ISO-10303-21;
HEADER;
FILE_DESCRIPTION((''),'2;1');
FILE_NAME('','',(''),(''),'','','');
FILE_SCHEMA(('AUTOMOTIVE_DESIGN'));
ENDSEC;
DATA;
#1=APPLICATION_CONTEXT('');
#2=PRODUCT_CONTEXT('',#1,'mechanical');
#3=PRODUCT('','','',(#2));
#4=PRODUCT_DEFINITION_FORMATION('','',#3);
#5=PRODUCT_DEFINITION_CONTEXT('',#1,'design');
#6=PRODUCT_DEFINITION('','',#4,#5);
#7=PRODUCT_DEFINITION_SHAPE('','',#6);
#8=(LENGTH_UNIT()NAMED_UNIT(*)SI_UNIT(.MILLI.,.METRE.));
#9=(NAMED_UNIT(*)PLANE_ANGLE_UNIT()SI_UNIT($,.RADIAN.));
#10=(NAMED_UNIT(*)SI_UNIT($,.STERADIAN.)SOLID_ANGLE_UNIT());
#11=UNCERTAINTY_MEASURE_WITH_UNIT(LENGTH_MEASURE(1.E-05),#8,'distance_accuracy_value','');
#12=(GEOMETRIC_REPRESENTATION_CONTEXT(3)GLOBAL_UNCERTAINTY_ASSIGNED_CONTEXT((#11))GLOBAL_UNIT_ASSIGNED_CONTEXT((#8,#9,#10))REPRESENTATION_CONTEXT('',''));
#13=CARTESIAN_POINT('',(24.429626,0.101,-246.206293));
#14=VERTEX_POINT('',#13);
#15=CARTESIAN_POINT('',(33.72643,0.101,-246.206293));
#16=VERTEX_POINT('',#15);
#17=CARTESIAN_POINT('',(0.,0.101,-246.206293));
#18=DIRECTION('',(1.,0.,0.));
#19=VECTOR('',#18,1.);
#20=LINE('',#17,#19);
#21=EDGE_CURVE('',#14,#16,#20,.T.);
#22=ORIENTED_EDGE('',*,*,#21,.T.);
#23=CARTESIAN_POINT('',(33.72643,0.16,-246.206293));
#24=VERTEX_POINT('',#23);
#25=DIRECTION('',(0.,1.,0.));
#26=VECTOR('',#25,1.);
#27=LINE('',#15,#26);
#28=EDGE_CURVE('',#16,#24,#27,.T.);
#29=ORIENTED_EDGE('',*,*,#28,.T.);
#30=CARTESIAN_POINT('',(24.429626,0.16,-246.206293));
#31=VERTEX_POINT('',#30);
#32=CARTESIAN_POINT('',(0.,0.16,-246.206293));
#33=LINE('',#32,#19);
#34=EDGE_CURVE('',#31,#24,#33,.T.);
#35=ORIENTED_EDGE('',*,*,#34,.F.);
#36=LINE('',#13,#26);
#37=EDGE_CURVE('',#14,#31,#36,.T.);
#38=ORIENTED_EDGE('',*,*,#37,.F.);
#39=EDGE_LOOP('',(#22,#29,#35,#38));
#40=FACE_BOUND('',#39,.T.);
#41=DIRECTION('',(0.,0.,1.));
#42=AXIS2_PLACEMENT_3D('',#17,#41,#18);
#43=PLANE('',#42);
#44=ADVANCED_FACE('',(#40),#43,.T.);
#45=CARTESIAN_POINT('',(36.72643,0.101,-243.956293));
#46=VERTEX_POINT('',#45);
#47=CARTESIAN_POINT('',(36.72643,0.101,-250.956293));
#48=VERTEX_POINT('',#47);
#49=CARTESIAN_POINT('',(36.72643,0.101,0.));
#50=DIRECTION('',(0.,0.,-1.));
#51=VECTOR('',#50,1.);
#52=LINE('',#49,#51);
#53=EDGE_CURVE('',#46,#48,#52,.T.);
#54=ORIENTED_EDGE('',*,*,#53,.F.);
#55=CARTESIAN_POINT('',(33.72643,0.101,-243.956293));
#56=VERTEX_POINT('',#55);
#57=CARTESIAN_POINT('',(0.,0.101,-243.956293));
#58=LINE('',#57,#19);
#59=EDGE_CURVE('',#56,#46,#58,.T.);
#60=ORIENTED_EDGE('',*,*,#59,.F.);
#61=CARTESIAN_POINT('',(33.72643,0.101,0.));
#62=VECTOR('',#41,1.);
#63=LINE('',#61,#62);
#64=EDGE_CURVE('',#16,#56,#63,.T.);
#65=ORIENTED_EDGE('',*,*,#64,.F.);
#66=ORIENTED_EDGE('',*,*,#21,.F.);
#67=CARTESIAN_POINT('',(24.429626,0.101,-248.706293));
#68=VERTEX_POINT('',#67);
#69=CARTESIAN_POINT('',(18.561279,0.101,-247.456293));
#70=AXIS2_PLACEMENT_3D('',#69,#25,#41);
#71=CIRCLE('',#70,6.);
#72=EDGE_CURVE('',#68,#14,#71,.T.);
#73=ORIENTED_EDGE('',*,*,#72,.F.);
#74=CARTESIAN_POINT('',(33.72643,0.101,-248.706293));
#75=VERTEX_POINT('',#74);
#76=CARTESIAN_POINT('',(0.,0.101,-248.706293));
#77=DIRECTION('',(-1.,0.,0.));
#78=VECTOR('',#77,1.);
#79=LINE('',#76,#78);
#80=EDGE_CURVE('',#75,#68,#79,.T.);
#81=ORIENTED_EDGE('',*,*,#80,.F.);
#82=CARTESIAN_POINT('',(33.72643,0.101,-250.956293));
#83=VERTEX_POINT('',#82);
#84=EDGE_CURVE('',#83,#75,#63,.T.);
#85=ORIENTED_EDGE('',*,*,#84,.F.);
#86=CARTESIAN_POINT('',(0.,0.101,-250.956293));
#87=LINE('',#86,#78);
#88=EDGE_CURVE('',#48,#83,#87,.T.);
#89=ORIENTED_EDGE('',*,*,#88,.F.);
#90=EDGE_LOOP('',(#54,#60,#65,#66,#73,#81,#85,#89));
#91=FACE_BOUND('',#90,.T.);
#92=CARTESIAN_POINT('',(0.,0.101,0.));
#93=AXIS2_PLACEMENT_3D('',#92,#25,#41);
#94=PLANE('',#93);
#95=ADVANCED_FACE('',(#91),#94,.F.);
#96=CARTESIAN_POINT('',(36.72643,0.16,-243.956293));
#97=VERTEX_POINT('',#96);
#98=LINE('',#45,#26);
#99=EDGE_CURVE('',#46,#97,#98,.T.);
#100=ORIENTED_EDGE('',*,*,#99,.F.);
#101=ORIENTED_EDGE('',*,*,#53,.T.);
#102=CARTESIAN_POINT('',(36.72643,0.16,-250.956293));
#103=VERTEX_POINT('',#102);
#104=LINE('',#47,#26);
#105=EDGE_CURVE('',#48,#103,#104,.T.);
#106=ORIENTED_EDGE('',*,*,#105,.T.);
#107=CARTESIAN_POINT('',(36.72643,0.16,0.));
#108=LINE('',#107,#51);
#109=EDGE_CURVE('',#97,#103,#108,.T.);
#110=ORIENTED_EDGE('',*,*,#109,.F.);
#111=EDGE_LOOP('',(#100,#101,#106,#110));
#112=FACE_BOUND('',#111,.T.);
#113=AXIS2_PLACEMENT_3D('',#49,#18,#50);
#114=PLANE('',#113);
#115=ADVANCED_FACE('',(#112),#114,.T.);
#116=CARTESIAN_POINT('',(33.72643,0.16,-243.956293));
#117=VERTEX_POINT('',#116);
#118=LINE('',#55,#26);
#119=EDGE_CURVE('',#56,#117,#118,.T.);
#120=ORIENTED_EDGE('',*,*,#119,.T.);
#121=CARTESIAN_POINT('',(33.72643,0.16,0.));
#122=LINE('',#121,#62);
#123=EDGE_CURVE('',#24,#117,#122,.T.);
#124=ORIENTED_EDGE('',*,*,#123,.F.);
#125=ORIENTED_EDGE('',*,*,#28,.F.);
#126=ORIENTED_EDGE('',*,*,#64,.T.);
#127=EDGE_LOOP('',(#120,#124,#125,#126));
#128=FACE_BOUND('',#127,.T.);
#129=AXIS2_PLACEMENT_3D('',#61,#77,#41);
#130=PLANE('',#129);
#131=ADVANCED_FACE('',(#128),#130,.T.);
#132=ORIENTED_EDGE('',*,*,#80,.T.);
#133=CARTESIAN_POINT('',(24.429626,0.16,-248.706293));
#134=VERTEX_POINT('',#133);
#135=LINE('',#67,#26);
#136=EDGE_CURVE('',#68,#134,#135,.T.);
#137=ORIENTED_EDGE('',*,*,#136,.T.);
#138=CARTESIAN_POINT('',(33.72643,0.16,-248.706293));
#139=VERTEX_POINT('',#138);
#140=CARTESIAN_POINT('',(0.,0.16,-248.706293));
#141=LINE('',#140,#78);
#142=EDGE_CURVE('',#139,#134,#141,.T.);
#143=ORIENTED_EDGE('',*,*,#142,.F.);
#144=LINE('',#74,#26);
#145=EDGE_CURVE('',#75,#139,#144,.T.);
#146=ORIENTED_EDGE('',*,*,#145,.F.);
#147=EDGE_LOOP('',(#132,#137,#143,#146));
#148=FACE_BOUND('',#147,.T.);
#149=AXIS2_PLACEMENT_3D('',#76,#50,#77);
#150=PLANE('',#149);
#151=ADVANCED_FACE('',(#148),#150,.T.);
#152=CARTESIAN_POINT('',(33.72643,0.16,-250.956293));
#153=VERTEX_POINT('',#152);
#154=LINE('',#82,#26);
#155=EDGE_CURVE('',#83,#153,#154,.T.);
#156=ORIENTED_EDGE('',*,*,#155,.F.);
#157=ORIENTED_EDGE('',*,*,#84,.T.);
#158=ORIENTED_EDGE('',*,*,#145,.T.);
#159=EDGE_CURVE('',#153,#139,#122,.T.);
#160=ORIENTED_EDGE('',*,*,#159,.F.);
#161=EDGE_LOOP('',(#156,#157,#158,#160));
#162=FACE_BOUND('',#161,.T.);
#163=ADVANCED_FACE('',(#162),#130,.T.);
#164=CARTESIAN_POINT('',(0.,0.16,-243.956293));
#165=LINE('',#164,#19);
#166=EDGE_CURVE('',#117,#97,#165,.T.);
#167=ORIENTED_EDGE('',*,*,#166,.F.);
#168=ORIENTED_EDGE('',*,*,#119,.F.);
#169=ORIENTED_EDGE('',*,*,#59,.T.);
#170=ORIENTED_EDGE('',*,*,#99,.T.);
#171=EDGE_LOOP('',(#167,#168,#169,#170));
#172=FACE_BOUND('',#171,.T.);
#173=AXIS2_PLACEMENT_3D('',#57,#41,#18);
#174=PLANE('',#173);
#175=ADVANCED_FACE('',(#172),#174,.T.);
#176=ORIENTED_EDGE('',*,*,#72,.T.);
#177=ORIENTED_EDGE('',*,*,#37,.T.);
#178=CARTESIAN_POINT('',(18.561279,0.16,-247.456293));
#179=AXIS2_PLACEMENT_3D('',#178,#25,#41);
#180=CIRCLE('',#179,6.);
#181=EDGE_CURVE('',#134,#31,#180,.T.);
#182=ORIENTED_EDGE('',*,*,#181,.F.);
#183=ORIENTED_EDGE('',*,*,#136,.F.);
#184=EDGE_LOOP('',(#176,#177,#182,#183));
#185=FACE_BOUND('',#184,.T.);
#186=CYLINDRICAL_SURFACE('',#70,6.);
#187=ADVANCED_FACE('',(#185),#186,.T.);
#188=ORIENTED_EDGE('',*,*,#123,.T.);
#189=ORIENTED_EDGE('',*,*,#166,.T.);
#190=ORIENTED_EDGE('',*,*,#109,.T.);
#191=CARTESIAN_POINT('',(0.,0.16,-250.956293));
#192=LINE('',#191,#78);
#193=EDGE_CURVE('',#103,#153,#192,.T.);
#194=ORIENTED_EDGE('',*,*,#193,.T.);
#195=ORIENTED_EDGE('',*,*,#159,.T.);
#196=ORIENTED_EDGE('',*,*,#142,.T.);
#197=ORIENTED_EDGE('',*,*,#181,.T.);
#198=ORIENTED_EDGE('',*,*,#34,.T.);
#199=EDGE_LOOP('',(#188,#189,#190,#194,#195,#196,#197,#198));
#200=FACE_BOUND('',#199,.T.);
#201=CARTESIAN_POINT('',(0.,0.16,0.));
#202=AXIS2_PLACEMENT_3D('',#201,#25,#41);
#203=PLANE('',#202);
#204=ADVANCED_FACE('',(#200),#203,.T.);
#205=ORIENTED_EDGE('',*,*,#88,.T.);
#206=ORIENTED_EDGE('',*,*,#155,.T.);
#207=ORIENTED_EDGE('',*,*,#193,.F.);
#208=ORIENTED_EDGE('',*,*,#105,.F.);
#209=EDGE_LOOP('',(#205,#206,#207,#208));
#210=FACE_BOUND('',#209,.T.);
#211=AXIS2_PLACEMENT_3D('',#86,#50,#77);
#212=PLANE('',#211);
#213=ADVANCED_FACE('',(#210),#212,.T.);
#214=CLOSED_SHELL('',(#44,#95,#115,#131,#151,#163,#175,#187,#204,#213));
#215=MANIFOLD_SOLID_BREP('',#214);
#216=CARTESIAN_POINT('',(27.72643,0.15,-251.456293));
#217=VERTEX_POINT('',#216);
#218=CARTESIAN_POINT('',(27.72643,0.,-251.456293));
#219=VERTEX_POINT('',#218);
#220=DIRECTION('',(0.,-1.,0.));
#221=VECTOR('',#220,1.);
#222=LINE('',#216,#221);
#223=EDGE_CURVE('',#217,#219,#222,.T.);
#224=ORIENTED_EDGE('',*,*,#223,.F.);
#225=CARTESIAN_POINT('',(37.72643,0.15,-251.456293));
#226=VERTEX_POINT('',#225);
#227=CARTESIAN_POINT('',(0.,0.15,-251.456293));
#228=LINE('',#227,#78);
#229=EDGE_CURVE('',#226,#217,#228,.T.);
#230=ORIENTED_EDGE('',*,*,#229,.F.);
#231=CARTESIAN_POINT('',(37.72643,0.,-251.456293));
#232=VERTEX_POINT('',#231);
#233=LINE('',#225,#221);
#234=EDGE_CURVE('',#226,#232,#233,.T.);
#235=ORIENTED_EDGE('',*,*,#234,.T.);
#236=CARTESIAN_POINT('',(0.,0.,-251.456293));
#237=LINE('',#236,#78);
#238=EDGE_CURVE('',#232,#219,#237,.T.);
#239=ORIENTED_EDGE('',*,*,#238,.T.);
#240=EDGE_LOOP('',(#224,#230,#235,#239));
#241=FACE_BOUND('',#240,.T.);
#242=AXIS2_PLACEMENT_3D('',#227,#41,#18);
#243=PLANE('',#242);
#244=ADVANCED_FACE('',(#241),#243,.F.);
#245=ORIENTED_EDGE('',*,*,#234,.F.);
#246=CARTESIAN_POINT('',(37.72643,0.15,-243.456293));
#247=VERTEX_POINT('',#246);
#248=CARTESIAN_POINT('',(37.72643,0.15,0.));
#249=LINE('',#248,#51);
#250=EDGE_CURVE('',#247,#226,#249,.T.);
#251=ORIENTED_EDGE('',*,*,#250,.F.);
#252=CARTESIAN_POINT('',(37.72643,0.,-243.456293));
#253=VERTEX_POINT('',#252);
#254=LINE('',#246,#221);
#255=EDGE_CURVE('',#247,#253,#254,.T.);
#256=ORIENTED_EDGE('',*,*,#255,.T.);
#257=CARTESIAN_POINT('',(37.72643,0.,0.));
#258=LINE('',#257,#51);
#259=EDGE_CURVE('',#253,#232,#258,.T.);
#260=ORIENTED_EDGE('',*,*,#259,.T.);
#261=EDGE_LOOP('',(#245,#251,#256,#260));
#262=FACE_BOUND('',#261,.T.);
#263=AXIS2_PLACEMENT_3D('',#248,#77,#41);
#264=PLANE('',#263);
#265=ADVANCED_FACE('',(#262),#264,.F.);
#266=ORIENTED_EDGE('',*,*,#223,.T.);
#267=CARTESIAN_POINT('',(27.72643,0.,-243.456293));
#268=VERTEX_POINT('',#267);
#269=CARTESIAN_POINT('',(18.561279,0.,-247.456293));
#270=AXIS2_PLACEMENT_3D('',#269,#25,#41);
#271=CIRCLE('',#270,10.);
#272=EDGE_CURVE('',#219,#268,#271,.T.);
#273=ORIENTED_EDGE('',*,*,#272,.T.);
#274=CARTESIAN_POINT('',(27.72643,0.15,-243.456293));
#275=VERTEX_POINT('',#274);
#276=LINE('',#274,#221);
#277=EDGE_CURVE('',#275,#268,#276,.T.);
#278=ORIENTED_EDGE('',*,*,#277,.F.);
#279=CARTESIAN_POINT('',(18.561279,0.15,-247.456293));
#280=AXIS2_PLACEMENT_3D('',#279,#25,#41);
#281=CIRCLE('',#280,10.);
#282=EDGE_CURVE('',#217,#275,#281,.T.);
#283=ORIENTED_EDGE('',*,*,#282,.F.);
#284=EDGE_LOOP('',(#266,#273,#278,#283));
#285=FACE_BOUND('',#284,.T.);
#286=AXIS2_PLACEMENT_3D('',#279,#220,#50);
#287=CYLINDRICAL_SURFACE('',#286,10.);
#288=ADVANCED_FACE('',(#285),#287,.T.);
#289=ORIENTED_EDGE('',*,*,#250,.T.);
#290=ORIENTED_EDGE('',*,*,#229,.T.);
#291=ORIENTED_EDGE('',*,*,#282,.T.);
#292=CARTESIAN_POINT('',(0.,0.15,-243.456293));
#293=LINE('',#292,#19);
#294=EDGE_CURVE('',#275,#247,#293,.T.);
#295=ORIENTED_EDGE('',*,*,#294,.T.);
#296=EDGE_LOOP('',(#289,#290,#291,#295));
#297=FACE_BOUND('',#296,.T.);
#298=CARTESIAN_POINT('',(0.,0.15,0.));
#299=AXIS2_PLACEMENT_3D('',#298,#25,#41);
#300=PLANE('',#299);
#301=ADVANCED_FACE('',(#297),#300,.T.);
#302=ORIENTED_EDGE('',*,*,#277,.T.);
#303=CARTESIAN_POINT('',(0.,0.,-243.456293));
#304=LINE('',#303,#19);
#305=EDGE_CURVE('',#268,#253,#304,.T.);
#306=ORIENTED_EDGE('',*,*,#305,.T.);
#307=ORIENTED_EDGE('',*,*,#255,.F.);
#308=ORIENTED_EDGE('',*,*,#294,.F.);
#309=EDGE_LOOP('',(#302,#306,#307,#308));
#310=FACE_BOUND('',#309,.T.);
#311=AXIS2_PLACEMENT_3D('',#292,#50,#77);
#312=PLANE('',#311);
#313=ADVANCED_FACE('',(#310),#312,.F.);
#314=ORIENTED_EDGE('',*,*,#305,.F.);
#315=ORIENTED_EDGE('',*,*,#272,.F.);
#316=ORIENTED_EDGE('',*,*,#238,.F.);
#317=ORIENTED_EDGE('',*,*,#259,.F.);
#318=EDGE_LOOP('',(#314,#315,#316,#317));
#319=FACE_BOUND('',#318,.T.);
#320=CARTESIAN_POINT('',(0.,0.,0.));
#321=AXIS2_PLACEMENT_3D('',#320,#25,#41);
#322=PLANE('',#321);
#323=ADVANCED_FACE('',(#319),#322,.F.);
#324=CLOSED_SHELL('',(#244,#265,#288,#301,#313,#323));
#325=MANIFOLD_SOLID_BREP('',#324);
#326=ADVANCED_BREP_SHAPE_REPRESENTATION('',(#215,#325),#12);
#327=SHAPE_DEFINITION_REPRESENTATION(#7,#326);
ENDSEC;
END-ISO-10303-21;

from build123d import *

# Parameters (mm, degrees)
BOSS_EXTRUDE1_DEPTH      = 0.15
BOSS_EXTRUDE2_DEPTH      = 0.01
BOSS_EXTRUDE2_DEPTH_BACK = 0.049


with BuildPart() as part:
    # Sketch1 → Boss-Extrude1 (new body)
    with BuildSketch(Plane(origin=(0, 0, 0), x_dir=(1, 0, 0), z_dir=(0, 1, 0))):
        with BuildLine():
            Line((37.726430303, 251.456293434), (27.726430303, 251.456293434))
            ThreePointArc((27.726430303, 251.456293434), (8.561278913, 247.456293434), (27.726430303, 243.456293434))
            Line((27.726430303, 243.456293434), (37.726430303, 243.456293434))
            Line((37.726430303, 243.456293434), (37.726430303, 251.456293434))
        make_face()
    extrude(amount=BOSS_EXTRUDE1_DEPTH)


with BuildPart() as body_2:
    # Sketch2 → Boss-Extrude2 (new body, two sides)
    with BuildSketch(Plane(origin=(0, 0.15, 0), x_dir=(1, 0, 0), z_dir=(0, 1, 0))) as boss_extrude2_sk:
        with BuildLine():
            Line((33.726430303, 248.706293434), (24.42962621, 248.706293434))
            ThreePointArc((24.42962621, 248.706293434), (12.561278913, 247.456293434), (24.42962621, 246.206293434))
            Line((24.42962621, 246.206293434), (33.726430303, 246.206293434))
            Line((33.726430303, 246.206293434), (33.726430303, 243.956293434))
            Line((33.726430303, 243.956293434), (36.726430303, 243.956293434))
            Line((36.726430303, 243.956293434), (36.726430303, 250.956293434))
            Line((36.726430303, 250.956293434), (33.726430303, 250.956293434))
            Line((33.726430303, 250.956293434), (33.726430303, 248.706293434))
        make_face()
    extrude(amount=BOSS_EXTRUDE2_DEPTH)
    extrude(boss_extrude2_sk.sketch, amount=-BOSS_EXTRUDE2_DEPTH_BACK)


solid = Compound([part.part, body_2.part])
